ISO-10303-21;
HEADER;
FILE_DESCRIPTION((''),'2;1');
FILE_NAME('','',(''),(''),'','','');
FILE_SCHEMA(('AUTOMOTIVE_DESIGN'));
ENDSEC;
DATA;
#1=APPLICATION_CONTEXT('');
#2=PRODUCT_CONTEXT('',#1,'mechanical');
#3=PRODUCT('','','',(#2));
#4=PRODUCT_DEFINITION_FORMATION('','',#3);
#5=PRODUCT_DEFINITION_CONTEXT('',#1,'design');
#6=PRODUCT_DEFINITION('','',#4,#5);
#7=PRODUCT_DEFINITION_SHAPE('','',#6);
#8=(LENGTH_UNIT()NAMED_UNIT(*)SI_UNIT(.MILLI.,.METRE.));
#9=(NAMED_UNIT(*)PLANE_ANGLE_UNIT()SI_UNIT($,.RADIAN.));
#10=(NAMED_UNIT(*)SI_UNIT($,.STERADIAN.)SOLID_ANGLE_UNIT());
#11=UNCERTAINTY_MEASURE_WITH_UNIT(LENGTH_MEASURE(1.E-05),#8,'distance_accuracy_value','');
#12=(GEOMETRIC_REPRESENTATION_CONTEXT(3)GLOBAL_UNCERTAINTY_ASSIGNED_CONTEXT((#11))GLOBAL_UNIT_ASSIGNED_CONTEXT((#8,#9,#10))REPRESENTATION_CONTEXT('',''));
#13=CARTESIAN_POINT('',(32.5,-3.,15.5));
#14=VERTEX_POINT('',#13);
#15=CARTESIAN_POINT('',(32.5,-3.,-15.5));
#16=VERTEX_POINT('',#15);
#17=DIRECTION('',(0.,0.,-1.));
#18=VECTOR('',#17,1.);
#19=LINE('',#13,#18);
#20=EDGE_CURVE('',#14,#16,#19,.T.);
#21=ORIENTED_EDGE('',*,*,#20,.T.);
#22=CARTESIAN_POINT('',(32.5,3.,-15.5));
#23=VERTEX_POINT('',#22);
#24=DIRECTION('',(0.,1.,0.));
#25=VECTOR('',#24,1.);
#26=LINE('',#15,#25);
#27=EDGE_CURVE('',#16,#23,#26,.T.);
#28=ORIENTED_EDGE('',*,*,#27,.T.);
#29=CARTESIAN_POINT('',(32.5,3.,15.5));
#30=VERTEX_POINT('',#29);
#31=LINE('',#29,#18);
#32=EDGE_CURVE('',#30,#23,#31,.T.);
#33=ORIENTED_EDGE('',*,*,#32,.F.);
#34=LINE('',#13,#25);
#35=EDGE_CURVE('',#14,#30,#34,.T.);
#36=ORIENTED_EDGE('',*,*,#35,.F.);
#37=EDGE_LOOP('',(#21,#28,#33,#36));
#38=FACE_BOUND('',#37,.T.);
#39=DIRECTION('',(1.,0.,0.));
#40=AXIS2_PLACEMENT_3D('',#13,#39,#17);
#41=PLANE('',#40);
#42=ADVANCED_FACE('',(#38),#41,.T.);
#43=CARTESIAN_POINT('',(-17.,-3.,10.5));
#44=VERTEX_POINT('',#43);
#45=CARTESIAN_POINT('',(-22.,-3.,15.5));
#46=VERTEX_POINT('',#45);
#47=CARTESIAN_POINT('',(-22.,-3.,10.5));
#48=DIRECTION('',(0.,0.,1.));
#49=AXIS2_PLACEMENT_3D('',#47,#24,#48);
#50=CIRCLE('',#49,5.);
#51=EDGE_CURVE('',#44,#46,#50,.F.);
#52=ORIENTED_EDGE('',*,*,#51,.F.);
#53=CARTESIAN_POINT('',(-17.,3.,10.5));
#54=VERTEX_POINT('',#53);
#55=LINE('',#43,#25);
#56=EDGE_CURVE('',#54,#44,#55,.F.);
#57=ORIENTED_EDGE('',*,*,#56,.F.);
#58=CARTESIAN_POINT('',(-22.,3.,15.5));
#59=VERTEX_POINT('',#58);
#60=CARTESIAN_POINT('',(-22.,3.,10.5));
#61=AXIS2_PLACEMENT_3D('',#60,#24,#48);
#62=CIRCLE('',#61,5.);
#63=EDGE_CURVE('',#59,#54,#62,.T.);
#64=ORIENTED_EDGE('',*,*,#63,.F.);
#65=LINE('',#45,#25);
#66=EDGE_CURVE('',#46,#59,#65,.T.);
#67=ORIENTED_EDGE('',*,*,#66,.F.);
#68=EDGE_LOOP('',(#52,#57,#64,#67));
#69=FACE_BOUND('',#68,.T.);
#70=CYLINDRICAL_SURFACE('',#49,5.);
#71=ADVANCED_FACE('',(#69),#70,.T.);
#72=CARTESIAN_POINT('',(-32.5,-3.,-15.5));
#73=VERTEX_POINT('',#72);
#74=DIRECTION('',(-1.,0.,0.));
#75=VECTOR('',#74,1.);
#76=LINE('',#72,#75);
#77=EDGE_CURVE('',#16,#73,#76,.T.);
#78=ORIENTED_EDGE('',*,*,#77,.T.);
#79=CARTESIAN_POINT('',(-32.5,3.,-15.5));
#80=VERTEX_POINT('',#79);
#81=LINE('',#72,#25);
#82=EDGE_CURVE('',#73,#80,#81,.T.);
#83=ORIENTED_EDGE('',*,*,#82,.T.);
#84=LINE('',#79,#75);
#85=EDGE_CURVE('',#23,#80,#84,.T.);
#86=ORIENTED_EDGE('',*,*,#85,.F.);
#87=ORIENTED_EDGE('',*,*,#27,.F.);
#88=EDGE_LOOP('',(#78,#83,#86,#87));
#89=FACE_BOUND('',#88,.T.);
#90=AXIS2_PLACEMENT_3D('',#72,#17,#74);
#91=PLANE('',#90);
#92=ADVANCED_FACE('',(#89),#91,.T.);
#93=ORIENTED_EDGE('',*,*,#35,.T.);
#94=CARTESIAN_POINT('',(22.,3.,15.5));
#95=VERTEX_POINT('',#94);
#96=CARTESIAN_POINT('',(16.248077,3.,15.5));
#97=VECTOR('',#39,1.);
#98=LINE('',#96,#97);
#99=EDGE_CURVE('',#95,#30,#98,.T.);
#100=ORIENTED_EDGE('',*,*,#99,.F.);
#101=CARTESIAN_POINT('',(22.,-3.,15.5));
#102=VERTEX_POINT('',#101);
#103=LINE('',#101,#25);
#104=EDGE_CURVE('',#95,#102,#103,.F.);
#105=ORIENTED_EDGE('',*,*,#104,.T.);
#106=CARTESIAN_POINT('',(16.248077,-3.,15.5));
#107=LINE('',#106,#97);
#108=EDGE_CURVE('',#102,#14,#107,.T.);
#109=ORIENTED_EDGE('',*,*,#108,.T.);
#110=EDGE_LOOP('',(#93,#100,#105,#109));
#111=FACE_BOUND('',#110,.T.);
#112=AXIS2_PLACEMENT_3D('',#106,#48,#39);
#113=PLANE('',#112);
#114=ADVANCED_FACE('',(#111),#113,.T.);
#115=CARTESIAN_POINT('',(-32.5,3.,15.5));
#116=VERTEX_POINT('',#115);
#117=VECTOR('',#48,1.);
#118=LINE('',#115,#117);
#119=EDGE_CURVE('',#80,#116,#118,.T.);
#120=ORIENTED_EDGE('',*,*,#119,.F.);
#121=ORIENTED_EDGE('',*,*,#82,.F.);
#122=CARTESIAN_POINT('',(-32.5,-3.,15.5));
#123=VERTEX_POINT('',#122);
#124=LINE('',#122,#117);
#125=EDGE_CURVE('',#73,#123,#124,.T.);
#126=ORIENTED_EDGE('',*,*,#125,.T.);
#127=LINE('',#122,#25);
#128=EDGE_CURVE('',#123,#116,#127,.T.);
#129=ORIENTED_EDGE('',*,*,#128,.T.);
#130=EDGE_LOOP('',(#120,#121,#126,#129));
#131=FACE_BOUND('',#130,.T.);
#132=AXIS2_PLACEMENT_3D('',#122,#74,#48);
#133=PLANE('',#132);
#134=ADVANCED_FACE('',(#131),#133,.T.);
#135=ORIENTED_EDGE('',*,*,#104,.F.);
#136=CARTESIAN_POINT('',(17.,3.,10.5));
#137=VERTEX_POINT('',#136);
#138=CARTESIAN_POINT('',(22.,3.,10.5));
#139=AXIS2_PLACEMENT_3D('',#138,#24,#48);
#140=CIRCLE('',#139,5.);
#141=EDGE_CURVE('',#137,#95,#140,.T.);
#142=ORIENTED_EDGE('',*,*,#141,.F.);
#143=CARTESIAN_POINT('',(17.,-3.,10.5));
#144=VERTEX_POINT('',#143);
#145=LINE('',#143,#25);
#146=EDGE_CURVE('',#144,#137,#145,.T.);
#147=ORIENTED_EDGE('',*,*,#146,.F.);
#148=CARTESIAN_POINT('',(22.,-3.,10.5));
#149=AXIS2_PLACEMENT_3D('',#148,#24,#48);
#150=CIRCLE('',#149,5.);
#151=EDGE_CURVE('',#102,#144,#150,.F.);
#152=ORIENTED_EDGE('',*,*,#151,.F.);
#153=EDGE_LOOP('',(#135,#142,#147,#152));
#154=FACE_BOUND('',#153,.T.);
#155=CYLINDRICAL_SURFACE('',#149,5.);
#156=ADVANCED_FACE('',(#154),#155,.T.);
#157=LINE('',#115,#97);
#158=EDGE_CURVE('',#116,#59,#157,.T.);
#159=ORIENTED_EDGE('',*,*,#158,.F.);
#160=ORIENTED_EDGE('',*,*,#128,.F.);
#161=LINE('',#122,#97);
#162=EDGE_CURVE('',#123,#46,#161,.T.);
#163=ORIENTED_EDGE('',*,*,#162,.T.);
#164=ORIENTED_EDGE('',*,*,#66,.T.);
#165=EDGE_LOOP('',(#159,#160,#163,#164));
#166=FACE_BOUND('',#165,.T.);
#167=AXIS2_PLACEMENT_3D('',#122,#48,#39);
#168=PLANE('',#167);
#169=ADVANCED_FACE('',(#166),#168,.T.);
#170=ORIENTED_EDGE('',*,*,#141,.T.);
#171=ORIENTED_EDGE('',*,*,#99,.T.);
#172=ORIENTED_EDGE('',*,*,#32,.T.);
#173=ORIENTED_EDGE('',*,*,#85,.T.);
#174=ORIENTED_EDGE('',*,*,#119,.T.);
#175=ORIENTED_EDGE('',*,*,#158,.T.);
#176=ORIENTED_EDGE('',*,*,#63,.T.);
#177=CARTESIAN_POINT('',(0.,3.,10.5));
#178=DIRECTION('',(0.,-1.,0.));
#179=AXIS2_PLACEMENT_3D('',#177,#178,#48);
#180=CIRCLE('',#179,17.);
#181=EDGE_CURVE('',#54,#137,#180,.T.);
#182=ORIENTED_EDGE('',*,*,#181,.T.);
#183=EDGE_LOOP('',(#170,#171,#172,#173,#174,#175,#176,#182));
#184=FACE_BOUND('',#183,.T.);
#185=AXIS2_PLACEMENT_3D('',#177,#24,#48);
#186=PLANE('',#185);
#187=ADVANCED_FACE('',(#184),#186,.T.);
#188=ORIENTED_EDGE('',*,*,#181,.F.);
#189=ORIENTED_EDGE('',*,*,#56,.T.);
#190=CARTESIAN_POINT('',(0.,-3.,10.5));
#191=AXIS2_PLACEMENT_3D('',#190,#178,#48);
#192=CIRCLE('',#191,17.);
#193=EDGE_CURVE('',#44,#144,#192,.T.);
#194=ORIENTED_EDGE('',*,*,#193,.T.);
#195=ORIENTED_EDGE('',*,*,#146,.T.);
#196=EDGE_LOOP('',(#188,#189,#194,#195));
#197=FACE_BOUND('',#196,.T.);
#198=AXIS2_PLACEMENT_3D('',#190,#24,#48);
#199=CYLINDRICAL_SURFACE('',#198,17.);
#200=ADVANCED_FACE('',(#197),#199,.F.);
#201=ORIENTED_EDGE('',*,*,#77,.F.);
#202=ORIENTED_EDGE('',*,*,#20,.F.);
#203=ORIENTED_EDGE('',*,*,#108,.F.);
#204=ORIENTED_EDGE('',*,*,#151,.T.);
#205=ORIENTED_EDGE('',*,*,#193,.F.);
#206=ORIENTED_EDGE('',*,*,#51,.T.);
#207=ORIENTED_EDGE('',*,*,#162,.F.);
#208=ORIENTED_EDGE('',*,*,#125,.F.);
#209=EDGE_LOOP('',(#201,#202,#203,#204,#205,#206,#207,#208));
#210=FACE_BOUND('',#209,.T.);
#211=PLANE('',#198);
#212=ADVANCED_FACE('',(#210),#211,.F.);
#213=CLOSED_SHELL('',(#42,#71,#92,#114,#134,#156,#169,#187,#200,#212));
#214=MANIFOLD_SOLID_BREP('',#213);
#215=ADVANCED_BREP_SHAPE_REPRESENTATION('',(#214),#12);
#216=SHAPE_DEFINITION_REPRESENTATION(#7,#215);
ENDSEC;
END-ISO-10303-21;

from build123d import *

# Parameters (mm, degrees)
BOSS_EXTRUDE1_DEPTH      = 3
BOSS_EXTRUDE1_DEPTH_BACK = 3
FILLET1_R                = 5


with BuildPart() as part:
    # Sketch1 → Boss-Extrude1 (new, two sides: drawn at the far end of the back side and taken through both)
    with BuildSketch(Plane(origin=(0, 0, 0), x_dir=(1, 0, 0), z_dir=(0, 1, 0)).offset(-BOSS_EXTRUDE1_DEPTH_BACK)):
        with BuildLine():
            Line((16.248076809, -15.5), (32.5, -15.5))
            Line((32.5, -15.5), (32.5, 15.5))
            Line((32.5, 15.5), (-32.5, 15.5))
            Line((-32.5, 15.5), (-32.5, -15.5))
            Line((-32.5, -15.5), (-16.248076809, -15.5))
            ThreePointArc((-16.248076809, -15.5), (0, 6.5), (16.248076809, -15.5))
        make_face()
    extrude(amount=BOSS_EXTRUDE1_DEPTH + BOSS_EXTRUDE1_DEPTH_BACK)

    # Fillet1
    fillet1_edges = [part.edges().sort_by_distance(p)[0] for p in [
        (16.248076809, 0, 15.5),
        (-16.248076809, 0, 15.5),
    ]]
    fillet(fillet1_edges, radius=FILLET1_R)


solid = part.part
